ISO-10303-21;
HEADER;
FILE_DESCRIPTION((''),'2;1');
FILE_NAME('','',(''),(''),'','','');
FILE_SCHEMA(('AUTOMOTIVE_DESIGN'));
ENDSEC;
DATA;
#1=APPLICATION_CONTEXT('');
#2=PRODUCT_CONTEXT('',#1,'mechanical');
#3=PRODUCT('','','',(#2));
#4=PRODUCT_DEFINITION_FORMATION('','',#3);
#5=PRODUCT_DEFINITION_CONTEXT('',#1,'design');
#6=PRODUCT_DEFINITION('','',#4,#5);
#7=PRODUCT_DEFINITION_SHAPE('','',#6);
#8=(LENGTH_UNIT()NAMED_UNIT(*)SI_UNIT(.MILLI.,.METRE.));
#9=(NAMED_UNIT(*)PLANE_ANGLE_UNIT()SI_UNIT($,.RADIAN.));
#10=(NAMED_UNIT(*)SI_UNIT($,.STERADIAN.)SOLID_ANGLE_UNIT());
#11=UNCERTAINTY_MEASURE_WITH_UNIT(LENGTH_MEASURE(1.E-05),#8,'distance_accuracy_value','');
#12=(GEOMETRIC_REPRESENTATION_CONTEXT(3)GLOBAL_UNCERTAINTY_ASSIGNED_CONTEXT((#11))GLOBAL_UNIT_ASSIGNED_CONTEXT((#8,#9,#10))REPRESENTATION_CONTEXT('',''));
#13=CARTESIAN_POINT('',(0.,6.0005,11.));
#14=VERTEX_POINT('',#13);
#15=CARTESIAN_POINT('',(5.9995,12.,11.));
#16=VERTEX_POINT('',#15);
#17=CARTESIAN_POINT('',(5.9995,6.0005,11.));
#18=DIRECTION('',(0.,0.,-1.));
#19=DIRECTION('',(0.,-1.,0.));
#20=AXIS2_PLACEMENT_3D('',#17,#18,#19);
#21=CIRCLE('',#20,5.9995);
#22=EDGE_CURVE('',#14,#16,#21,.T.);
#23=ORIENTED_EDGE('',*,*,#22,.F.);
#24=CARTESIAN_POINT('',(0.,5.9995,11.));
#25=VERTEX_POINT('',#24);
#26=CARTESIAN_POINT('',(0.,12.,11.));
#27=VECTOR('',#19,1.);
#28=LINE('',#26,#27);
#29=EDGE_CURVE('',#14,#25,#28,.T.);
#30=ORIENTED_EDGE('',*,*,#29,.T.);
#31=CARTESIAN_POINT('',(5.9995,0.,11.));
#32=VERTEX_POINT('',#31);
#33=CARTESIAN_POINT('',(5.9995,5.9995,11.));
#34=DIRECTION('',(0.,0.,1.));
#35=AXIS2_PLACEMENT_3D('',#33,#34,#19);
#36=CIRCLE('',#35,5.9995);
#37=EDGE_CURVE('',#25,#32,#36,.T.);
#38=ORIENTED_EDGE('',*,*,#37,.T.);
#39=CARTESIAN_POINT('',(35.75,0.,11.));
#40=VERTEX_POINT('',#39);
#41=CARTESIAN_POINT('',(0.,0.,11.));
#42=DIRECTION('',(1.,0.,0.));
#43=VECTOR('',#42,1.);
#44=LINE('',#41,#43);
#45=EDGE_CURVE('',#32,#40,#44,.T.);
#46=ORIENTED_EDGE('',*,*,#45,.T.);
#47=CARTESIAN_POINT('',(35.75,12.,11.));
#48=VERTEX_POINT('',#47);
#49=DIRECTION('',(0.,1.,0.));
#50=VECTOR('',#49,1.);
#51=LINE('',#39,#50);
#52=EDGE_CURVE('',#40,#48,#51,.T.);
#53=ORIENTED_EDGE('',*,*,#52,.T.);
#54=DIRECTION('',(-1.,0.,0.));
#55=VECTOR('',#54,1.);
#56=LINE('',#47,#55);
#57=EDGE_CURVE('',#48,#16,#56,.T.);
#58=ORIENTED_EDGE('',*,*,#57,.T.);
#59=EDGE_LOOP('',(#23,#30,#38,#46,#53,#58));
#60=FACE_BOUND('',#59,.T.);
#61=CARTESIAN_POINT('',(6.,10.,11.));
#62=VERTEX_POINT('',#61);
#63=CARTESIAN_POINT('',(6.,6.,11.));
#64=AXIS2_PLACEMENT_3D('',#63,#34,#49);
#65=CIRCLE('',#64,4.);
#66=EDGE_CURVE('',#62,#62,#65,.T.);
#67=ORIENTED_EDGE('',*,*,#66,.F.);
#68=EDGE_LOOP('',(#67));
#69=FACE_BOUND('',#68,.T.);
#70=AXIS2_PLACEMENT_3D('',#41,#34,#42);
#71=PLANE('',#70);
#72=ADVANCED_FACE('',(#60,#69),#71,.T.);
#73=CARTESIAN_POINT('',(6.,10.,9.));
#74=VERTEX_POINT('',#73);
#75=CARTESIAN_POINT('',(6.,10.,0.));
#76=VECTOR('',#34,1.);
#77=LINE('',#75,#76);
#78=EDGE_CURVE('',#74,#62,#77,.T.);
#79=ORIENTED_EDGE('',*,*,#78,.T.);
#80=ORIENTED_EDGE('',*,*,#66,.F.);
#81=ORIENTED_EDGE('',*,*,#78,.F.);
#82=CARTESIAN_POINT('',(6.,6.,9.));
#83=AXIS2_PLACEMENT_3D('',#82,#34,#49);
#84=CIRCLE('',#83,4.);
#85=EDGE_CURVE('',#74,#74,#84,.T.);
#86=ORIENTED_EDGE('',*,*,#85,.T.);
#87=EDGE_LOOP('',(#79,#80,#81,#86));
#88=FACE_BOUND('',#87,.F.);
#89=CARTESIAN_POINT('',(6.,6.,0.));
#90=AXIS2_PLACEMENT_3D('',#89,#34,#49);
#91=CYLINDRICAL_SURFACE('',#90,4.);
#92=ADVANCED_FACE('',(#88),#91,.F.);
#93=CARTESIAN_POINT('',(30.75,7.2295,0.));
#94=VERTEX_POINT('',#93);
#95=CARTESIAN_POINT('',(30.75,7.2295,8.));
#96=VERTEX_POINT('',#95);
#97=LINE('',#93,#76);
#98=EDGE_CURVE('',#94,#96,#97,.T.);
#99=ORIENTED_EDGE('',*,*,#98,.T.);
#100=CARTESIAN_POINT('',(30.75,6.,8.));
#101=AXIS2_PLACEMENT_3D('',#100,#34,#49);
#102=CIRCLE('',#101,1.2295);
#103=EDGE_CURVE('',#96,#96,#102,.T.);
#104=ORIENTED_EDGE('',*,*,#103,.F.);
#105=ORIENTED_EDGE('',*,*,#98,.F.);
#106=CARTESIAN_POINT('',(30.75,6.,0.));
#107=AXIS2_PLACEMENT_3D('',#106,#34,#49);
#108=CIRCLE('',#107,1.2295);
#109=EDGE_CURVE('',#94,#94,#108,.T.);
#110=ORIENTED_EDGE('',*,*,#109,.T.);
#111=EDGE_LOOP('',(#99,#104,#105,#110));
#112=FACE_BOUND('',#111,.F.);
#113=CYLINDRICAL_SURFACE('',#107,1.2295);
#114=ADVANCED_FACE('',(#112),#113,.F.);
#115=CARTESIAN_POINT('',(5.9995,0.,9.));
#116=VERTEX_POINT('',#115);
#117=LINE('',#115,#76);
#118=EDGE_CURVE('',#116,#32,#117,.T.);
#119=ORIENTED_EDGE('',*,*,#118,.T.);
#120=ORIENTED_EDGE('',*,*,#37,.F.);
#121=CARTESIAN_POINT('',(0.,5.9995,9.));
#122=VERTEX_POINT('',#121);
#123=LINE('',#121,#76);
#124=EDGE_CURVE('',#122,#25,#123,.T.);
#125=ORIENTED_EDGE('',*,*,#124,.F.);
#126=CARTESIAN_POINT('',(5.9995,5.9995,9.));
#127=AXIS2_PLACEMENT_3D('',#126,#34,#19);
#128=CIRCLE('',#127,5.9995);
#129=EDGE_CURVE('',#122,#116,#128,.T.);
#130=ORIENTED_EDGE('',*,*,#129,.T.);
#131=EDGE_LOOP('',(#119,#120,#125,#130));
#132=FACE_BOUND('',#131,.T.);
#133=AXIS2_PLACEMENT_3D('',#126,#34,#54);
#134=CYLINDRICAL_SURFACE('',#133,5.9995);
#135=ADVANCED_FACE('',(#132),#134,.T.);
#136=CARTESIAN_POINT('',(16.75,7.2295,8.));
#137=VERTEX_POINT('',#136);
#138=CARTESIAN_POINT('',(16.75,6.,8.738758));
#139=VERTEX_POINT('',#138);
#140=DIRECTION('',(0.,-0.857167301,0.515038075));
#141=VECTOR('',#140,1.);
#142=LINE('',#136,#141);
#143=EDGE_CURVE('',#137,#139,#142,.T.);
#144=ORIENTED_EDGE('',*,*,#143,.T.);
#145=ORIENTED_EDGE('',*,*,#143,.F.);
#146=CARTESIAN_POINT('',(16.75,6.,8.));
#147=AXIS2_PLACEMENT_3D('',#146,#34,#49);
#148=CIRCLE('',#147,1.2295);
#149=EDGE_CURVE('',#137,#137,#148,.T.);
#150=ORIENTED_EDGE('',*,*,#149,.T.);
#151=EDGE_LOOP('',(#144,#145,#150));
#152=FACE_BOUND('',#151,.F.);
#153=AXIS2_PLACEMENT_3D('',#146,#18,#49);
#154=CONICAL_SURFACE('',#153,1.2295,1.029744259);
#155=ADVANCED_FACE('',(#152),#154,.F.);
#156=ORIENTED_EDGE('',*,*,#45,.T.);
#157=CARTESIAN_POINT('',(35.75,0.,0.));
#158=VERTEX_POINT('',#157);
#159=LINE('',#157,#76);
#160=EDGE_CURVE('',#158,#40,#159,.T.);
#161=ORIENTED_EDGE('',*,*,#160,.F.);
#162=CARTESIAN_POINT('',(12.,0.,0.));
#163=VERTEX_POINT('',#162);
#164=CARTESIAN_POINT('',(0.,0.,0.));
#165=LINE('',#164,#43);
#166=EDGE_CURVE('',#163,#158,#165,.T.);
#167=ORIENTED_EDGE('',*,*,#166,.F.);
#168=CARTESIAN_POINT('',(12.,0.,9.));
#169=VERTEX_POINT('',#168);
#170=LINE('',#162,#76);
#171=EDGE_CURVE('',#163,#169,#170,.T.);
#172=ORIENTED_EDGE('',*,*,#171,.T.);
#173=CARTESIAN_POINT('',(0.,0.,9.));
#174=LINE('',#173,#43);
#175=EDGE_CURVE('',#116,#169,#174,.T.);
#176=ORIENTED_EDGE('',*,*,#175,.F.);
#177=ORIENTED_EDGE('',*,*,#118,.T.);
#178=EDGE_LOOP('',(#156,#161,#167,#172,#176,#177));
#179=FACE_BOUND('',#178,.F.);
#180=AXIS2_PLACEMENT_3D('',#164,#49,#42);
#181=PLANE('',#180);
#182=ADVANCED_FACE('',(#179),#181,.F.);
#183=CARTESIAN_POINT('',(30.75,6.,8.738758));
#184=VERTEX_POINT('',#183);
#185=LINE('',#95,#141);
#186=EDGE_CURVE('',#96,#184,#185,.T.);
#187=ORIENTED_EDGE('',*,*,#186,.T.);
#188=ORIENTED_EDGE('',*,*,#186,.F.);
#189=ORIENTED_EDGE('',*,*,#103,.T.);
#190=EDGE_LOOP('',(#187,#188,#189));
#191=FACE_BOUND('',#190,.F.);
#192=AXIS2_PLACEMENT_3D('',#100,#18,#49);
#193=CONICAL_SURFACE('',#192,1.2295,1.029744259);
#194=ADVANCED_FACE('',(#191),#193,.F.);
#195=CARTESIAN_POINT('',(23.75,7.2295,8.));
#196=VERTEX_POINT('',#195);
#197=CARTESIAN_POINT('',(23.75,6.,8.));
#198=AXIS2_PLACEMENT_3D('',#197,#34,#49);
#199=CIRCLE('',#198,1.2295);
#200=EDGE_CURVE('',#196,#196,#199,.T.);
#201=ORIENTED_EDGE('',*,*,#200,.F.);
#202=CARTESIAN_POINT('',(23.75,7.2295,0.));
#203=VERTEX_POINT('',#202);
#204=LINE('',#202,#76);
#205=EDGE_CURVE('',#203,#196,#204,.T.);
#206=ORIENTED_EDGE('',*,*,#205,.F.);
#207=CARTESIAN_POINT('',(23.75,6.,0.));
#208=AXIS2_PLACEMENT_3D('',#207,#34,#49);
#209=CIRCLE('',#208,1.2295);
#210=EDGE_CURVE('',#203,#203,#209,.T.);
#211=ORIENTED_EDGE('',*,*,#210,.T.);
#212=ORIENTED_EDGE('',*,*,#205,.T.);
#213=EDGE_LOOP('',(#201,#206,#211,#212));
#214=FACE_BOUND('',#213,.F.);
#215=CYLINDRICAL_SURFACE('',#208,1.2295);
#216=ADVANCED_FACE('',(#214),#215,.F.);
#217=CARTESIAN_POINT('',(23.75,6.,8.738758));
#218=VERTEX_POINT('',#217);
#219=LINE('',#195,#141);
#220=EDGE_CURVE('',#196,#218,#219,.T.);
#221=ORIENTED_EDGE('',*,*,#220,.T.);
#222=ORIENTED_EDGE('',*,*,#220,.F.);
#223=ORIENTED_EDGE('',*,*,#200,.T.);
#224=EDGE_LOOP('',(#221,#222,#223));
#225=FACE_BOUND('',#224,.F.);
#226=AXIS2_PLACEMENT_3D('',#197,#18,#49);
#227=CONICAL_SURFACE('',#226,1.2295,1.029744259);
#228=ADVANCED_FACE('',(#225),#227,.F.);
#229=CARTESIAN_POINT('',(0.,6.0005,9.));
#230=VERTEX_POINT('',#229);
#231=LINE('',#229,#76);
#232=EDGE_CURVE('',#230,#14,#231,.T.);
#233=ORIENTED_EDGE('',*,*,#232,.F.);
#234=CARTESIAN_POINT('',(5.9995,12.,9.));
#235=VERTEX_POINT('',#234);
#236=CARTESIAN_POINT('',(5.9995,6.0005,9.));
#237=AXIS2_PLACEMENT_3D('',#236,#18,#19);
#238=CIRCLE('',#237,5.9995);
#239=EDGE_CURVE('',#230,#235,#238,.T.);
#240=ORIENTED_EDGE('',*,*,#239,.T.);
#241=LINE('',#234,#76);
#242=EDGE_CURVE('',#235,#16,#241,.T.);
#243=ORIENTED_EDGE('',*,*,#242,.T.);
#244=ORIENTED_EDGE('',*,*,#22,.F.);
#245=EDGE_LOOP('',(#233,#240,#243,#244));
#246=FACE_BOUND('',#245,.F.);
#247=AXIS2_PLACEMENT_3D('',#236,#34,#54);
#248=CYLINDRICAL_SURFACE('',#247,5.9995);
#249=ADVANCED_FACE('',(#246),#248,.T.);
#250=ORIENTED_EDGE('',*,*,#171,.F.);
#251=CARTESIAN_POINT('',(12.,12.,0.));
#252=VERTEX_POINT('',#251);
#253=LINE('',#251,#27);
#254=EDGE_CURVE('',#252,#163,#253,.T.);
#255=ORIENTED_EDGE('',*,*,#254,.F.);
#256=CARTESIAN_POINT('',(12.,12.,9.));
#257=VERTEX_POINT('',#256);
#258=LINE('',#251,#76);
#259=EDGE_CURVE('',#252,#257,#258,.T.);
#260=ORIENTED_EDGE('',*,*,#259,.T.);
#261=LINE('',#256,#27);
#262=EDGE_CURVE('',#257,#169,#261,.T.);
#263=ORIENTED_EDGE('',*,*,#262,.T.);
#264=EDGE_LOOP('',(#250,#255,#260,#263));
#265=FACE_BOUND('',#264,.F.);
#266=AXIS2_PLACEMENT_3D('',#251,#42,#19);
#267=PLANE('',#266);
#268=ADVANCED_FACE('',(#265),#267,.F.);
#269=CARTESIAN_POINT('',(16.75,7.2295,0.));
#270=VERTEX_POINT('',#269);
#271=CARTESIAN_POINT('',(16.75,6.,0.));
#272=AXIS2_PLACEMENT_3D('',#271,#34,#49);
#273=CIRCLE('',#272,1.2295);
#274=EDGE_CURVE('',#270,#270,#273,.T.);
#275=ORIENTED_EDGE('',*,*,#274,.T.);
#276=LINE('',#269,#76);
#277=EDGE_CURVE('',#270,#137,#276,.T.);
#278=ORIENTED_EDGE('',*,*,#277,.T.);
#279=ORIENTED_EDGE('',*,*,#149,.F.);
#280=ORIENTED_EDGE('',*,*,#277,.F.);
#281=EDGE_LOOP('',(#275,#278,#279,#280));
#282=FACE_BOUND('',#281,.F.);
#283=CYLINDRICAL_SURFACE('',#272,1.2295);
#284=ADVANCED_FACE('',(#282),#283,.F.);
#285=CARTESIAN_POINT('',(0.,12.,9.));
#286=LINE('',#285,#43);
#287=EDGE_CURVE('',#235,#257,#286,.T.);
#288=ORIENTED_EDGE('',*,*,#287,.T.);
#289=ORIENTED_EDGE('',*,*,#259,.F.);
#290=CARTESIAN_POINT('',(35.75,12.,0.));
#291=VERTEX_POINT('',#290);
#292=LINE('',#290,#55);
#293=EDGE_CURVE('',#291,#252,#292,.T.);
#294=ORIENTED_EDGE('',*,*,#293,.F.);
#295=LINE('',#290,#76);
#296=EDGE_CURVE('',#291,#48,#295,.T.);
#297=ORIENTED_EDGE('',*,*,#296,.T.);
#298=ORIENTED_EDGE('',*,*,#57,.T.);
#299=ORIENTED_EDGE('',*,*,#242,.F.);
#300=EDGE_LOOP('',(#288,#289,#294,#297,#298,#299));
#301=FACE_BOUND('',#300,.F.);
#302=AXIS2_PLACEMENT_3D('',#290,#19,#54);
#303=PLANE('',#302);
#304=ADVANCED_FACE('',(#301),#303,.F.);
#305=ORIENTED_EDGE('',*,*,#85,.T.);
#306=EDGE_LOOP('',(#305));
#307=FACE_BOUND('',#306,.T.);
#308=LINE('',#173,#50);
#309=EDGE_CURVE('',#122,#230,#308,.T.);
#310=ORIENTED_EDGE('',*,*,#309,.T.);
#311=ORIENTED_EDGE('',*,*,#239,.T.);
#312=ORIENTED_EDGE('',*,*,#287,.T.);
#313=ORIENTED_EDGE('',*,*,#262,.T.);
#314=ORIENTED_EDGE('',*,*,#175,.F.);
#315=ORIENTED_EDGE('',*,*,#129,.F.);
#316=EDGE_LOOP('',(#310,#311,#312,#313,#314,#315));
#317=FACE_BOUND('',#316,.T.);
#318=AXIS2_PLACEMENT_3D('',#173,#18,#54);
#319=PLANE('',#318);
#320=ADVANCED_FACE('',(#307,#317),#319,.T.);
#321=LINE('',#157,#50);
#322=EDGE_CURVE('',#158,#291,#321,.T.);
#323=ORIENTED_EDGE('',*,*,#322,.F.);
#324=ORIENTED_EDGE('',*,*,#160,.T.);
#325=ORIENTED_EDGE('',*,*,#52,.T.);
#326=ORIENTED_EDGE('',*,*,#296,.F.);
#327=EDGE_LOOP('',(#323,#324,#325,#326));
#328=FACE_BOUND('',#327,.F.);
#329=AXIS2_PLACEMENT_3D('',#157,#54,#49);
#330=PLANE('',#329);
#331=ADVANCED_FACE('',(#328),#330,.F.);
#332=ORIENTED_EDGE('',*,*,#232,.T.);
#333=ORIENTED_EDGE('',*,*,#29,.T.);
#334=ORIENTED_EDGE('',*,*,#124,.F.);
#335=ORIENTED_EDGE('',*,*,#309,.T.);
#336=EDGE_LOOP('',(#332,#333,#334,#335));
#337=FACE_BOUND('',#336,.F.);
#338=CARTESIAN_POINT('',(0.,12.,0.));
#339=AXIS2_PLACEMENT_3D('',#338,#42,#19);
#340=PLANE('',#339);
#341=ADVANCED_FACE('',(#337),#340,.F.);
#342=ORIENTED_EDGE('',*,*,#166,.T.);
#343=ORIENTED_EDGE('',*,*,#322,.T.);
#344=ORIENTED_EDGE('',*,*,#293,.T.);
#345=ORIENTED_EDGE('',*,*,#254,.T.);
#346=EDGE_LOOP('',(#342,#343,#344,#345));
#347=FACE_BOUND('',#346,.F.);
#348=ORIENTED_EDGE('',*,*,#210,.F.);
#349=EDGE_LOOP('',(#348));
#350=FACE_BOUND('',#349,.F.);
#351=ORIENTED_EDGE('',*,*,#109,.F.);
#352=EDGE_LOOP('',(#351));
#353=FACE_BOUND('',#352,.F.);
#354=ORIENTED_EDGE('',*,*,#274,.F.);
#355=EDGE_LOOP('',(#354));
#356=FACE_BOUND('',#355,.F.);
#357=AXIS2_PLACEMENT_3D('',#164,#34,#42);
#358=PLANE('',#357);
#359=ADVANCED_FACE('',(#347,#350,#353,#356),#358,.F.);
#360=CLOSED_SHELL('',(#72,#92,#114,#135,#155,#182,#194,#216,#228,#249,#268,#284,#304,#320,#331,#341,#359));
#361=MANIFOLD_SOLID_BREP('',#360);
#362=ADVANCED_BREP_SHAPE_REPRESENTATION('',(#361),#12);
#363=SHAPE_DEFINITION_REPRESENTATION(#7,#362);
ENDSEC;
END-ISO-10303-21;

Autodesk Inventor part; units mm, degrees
ref_plane "YZ Plane" through (0, 0, 0) normal (1, 0, 0) x (0, 1, 0)
ref_plane "XZ Plane" through (0, 0, 0) normal (0, 1, 0) x (-1, 0, 0)
ref_plane "XY Plane" through (0, 0, 0) normal (0, 0, 1) x (1, 0, 0)
sketch "Sketch1" plane through (0, 0, 0) normal (0, 0, 1) x (1, 0, 0)
  line L0 (0, 0) -> (35.75, 0)
  line L1 (35.75, 0) -> (35.75, 12)
  line L2 (35.75, 12) -> (0, 12)
  line L3 (0, 12) -> (0, 0)
  dimension "d0" = 35.75
  dimension "d1" = 12
extrude "Extrusion1" add sketch "Sketch1" along normal blind 11
sketch "Sketch5" plane through (0, 0, 0) normal (0, 0, -1) x (-1, 0, 0)
  line L0 (0, 12) -> (0, 0) projected
  line L1 (-35.75, 0) -> (-35.75, 12) projected
  line L2 (0, 0) -> (-35.75, 0) projected
  line L3 (-35.75, 12) -> (0, 12) projected
  line L4 (-35.75, 6) -> (0, 6) construction
  line L5 (-30.75, 12) -> (-30.75, 0) construction
  line L6 (-23.75, 12) -> (-23.75, 0) construction
  line L7 (-16.75, 12) -> (-16.75, 0) construction
  point P0 (-30.75, 6)
  point P1 (-23.75, 6)
  point P2 (-16.75, 6)
  dimension "d46" = 6
  dimension "d48" = 5
  dimension "d49" = 7
  dimension "d50" = 7
hole "Hole3" at (30.75, 6, 0) at (23.75, 6, 0) at (16.75, 6, 0) direction (0, 0, 1) diameter 2.459 depth 8 tip angle 118 thread size "M3x0.5" class "6H" standard "ANSI Metric M Profile"
sketch "Sketch6" plane through (0, 0, 0) normal (0, 0, -1) x (-1, 0, 0)
  line L0 (0, 12) -> (0, 0) projected
  line L1 (-35.75, 0) -> (-35.75, 12) projected
  line L2 (0, 6) -> (-35.75, 6) construction
  point P0 (-6, 6)
  dimension "d35" = 6
hole "Hole4" at (6, 6, 0) direction (0, 0, 1) diameter 8 end through all
sketch "Sketch7" plane through (0, 0, 0) normal (0, 0, -1) x (-1, 0, 0)
  circle A0 centre (-6, 6) radius 4 projected
  line L0 (0, 0) -> (-35.75, 0) projected
  line L1 (0, 12) -> (-12, 12)
  line L2 (-12, 12) -> (-12, 0)
  line L3 (-12, 0) -> (0, 0)
  line L4 (0, 0) -> (0, 12)
  dimension "d43" = 12
extrude "Extrusion3" cut sketch "Sketch7" against normal blind 9
fillet "Fillet5" radius 6 2 edges at (0, 12, 10) (0, 0, 10)
properties part number "termination_lv_conductor" material "Copper, Cast"
